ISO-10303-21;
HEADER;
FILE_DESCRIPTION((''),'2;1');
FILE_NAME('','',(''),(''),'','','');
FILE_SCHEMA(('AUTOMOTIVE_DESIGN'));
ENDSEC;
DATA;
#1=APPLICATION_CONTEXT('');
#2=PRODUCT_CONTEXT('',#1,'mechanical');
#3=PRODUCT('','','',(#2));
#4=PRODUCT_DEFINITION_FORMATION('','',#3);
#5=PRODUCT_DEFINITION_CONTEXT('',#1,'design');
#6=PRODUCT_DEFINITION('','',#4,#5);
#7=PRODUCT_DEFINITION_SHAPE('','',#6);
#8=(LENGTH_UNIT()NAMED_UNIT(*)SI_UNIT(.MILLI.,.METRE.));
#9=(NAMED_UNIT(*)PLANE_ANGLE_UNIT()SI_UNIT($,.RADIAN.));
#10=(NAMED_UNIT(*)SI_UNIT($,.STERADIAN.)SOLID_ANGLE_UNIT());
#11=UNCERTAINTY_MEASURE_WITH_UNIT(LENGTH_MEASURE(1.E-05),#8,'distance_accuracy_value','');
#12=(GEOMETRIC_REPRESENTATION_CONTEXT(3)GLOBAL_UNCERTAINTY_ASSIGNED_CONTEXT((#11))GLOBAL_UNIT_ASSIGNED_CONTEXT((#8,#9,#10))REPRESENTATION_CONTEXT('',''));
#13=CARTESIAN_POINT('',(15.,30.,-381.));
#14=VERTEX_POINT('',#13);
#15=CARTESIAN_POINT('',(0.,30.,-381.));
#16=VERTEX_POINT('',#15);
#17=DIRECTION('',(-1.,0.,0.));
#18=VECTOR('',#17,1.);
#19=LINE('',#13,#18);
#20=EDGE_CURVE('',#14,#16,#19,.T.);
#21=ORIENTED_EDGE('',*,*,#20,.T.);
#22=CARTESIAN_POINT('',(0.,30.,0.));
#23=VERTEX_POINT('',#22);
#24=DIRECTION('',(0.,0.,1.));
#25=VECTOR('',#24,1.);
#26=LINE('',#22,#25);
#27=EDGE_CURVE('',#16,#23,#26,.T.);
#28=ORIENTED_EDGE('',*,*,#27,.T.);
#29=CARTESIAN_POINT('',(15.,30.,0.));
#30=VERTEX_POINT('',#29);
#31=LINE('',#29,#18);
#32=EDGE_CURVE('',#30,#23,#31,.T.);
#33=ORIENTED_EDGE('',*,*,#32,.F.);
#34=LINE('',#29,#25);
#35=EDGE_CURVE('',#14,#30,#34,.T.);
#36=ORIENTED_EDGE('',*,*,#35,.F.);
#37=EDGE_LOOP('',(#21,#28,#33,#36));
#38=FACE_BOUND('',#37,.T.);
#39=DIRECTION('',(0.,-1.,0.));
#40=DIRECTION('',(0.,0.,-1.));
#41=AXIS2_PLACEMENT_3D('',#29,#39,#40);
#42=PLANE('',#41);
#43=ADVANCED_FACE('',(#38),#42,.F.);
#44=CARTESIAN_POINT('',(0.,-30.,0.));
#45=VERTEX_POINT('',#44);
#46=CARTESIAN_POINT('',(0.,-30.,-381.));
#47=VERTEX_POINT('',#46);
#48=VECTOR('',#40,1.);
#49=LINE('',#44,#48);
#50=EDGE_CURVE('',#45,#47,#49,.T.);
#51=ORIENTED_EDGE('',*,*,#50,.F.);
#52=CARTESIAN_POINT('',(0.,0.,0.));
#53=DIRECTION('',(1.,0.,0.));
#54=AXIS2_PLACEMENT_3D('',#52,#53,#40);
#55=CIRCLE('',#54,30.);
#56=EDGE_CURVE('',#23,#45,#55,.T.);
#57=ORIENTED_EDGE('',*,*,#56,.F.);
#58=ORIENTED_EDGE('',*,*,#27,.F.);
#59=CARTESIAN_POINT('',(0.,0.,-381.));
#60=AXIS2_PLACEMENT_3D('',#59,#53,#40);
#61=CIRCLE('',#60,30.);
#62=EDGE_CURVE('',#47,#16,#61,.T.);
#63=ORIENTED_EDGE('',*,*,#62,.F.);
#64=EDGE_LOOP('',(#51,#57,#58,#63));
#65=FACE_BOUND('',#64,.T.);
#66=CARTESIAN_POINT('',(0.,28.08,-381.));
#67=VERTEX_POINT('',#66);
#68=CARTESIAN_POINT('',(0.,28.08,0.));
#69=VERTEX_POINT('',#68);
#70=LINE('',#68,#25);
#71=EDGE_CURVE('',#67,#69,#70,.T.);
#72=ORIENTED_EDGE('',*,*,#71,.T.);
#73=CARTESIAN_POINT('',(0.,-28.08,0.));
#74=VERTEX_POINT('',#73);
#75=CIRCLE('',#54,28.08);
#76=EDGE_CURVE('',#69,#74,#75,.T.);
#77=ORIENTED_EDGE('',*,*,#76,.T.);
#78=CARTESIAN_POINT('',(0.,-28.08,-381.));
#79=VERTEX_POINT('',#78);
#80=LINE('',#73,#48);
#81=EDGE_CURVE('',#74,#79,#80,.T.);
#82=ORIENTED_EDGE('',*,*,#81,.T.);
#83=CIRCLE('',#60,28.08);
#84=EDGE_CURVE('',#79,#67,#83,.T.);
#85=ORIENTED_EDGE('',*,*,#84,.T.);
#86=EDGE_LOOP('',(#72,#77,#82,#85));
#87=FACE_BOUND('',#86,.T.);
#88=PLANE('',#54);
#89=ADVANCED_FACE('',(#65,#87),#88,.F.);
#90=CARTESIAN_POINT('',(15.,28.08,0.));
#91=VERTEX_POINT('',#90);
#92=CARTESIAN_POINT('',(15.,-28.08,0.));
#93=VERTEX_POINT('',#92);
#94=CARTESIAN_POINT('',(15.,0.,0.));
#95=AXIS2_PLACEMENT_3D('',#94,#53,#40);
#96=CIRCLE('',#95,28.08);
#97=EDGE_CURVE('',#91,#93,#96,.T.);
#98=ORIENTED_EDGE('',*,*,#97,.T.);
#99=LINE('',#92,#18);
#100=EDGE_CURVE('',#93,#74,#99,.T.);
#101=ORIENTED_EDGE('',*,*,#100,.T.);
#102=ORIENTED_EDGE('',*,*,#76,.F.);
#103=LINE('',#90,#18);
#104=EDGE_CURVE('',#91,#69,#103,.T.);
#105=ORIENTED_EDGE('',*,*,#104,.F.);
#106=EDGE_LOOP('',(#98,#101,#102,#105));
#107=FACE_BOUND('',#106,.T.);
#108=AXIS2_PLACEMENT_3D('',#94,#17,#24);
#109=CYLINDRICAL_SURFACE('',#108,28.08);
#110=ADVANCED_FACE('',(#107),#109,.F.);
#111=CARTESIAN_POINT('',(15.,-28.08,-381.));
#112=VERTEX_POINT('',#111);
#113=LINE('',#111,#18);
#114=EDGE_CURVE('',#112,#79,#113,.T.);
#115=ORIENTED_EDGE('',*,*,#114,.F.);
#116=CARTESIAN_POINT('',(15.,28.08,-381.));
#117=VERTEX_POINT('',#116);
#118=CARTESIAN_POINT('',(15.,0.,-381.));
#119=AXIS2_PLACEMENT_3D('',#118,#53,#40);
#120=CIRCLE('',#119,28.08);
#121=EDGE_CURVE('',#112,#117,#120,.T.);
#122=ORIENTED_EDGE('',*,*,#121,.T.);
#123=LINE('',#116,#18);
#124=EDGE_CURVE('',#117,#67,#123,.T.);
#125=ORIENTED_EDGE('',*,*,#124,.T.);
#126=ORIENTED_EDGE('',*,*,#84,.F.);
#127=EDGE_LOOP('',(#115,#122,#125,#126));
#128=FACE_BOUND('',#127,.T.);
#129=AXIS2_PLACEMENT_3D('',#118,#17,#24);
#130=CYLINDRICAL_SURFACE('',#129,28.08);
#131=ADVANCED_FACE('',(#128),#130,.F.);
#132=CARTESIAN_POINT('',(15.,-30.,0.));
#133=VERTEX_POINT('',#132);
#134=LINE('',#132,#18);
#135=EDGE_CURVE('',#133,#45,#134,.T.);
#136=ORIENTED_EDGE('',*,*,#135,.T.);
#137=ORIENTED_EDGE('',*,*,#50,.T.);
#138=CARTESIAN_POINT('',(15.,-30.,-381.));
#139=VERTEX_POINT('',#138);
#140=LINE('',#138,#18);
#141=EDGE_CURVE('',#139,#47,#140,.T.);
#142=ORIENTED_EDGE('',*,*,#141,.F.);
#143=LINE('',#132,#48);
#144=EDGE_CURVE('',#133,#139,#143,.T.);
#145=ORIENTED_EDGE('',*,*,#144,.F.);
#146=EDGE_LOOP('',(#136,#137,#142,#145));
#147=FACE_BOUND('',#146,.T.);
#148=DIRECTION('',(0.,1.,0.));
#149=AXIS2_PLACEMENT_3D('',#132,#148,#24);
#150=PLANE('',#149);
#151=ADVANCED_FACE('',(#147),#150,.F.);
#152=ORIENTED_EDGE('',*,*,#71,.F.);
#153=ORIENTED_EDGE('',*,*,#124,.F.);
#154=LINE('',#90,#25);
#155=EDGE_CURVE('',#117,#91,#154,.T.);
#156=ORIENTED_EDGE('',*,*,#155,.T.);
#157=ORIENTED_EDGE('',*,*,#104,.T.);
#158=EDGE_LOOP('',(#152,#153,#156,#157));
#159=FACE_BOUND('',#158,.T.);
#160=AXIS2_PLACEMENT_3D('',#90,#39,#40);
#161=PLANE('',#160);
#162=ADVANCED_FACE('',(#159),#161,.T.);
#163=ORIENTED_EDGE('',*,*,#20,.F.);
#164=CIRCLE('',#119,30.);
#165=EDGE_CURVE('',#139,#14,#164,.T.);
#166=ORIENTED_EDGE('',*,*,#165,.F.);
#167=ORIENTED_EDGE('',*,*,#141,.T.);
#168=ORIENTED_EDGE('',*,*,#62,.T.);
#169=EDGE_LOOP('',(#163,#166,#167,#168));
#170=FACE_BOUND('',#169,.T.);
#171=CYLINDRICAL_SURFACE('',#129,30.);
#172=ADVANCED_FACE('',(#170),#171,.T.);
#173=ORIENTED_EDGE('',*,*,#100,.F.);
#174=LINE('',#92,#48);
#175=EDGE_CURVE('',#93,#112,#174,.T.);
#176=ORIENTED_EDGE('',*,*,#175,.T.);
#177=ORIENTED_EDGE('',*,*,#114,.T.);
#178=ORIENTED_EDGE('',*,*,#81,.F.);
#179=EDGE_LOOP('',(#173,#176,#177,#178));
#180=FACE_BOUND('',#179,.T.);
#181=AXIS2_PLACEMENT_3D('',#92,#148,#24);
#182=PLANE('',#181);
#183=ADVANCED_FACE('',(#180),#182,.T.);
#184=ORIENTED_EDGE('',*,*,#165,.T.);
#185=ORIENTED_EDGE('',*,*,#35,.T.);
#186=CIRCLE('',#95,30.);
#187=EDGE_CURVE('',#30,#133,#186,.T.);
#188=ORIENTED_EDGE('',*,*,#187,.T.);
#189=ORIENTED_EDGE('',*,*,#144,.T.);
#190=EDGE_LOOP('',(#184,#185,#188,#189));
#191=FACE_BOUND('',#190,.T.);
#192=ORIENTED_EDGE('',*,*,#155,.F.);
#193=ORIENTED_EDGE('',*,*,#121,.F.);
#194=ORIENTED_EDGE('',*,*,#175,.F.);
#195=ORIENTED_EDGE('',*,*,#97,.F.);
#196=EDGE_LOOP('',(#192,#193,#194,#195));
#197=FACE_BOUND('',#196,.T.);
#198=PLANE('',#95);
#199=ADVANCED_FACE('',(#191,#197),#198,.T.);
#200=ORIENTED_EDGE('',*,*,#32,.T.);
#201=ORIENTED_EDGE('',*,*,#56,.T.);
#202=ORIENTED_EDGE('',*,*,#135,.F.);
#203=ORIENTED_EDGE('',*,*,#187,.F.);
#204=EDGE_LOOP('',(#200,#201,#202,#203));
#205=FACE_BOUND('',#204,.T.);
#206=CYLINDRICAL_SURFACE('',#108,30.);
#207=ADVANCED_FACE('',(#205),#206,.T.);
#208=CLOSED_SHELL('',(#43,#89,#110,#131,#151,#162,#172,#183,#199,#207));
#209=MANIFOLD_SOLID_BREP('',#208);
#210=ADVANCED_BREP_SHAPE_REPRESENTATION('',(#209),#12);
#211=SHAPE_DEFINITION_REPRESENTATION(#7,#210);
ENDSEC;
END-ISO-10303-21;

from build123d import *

# Parameters (mm, degrees)
BOSS_EXTRUDE1_DEPTH = 15


with BuildPart() as part:
    # Sketch1 → Boss-Extrude1 (new body)
    with BuildSketch(Plane(origin=(0, 0, 0), x_dir=(0, 0, -1), z_dir=(1, 0, 0))):
        with BuildLine():
            Line((0, 29.999999944), (381, 29.999999944))
            ThreePointArc((381, 29.999999944), (410.999999944, 0), (381, -29.999999944))
            Line((381, -29.999999944), (0, -29.999999944))
            ThreePointArc((0, -29.999999944), (-29.999999944, 0), (0, 29.999999944))
        make_face()
        with BuildLine():
            Line((0, 28.079999974), (381, 28.079999974))
            ThreePointArc((381, 28.079999974), (409.079999974, 0), (381, -28.079999974))
            Line((381, -28.079999974), (0, -28.079999974))
            ThreePointArc((0, -28.079999974), (-28.079999974, 0), (0, 28.079999974))
        make_face(mode=Mode.SUBTRACT)
    extrude(amount=BOSS_EXTRUDE1_DEPTH)


solid = part.part
